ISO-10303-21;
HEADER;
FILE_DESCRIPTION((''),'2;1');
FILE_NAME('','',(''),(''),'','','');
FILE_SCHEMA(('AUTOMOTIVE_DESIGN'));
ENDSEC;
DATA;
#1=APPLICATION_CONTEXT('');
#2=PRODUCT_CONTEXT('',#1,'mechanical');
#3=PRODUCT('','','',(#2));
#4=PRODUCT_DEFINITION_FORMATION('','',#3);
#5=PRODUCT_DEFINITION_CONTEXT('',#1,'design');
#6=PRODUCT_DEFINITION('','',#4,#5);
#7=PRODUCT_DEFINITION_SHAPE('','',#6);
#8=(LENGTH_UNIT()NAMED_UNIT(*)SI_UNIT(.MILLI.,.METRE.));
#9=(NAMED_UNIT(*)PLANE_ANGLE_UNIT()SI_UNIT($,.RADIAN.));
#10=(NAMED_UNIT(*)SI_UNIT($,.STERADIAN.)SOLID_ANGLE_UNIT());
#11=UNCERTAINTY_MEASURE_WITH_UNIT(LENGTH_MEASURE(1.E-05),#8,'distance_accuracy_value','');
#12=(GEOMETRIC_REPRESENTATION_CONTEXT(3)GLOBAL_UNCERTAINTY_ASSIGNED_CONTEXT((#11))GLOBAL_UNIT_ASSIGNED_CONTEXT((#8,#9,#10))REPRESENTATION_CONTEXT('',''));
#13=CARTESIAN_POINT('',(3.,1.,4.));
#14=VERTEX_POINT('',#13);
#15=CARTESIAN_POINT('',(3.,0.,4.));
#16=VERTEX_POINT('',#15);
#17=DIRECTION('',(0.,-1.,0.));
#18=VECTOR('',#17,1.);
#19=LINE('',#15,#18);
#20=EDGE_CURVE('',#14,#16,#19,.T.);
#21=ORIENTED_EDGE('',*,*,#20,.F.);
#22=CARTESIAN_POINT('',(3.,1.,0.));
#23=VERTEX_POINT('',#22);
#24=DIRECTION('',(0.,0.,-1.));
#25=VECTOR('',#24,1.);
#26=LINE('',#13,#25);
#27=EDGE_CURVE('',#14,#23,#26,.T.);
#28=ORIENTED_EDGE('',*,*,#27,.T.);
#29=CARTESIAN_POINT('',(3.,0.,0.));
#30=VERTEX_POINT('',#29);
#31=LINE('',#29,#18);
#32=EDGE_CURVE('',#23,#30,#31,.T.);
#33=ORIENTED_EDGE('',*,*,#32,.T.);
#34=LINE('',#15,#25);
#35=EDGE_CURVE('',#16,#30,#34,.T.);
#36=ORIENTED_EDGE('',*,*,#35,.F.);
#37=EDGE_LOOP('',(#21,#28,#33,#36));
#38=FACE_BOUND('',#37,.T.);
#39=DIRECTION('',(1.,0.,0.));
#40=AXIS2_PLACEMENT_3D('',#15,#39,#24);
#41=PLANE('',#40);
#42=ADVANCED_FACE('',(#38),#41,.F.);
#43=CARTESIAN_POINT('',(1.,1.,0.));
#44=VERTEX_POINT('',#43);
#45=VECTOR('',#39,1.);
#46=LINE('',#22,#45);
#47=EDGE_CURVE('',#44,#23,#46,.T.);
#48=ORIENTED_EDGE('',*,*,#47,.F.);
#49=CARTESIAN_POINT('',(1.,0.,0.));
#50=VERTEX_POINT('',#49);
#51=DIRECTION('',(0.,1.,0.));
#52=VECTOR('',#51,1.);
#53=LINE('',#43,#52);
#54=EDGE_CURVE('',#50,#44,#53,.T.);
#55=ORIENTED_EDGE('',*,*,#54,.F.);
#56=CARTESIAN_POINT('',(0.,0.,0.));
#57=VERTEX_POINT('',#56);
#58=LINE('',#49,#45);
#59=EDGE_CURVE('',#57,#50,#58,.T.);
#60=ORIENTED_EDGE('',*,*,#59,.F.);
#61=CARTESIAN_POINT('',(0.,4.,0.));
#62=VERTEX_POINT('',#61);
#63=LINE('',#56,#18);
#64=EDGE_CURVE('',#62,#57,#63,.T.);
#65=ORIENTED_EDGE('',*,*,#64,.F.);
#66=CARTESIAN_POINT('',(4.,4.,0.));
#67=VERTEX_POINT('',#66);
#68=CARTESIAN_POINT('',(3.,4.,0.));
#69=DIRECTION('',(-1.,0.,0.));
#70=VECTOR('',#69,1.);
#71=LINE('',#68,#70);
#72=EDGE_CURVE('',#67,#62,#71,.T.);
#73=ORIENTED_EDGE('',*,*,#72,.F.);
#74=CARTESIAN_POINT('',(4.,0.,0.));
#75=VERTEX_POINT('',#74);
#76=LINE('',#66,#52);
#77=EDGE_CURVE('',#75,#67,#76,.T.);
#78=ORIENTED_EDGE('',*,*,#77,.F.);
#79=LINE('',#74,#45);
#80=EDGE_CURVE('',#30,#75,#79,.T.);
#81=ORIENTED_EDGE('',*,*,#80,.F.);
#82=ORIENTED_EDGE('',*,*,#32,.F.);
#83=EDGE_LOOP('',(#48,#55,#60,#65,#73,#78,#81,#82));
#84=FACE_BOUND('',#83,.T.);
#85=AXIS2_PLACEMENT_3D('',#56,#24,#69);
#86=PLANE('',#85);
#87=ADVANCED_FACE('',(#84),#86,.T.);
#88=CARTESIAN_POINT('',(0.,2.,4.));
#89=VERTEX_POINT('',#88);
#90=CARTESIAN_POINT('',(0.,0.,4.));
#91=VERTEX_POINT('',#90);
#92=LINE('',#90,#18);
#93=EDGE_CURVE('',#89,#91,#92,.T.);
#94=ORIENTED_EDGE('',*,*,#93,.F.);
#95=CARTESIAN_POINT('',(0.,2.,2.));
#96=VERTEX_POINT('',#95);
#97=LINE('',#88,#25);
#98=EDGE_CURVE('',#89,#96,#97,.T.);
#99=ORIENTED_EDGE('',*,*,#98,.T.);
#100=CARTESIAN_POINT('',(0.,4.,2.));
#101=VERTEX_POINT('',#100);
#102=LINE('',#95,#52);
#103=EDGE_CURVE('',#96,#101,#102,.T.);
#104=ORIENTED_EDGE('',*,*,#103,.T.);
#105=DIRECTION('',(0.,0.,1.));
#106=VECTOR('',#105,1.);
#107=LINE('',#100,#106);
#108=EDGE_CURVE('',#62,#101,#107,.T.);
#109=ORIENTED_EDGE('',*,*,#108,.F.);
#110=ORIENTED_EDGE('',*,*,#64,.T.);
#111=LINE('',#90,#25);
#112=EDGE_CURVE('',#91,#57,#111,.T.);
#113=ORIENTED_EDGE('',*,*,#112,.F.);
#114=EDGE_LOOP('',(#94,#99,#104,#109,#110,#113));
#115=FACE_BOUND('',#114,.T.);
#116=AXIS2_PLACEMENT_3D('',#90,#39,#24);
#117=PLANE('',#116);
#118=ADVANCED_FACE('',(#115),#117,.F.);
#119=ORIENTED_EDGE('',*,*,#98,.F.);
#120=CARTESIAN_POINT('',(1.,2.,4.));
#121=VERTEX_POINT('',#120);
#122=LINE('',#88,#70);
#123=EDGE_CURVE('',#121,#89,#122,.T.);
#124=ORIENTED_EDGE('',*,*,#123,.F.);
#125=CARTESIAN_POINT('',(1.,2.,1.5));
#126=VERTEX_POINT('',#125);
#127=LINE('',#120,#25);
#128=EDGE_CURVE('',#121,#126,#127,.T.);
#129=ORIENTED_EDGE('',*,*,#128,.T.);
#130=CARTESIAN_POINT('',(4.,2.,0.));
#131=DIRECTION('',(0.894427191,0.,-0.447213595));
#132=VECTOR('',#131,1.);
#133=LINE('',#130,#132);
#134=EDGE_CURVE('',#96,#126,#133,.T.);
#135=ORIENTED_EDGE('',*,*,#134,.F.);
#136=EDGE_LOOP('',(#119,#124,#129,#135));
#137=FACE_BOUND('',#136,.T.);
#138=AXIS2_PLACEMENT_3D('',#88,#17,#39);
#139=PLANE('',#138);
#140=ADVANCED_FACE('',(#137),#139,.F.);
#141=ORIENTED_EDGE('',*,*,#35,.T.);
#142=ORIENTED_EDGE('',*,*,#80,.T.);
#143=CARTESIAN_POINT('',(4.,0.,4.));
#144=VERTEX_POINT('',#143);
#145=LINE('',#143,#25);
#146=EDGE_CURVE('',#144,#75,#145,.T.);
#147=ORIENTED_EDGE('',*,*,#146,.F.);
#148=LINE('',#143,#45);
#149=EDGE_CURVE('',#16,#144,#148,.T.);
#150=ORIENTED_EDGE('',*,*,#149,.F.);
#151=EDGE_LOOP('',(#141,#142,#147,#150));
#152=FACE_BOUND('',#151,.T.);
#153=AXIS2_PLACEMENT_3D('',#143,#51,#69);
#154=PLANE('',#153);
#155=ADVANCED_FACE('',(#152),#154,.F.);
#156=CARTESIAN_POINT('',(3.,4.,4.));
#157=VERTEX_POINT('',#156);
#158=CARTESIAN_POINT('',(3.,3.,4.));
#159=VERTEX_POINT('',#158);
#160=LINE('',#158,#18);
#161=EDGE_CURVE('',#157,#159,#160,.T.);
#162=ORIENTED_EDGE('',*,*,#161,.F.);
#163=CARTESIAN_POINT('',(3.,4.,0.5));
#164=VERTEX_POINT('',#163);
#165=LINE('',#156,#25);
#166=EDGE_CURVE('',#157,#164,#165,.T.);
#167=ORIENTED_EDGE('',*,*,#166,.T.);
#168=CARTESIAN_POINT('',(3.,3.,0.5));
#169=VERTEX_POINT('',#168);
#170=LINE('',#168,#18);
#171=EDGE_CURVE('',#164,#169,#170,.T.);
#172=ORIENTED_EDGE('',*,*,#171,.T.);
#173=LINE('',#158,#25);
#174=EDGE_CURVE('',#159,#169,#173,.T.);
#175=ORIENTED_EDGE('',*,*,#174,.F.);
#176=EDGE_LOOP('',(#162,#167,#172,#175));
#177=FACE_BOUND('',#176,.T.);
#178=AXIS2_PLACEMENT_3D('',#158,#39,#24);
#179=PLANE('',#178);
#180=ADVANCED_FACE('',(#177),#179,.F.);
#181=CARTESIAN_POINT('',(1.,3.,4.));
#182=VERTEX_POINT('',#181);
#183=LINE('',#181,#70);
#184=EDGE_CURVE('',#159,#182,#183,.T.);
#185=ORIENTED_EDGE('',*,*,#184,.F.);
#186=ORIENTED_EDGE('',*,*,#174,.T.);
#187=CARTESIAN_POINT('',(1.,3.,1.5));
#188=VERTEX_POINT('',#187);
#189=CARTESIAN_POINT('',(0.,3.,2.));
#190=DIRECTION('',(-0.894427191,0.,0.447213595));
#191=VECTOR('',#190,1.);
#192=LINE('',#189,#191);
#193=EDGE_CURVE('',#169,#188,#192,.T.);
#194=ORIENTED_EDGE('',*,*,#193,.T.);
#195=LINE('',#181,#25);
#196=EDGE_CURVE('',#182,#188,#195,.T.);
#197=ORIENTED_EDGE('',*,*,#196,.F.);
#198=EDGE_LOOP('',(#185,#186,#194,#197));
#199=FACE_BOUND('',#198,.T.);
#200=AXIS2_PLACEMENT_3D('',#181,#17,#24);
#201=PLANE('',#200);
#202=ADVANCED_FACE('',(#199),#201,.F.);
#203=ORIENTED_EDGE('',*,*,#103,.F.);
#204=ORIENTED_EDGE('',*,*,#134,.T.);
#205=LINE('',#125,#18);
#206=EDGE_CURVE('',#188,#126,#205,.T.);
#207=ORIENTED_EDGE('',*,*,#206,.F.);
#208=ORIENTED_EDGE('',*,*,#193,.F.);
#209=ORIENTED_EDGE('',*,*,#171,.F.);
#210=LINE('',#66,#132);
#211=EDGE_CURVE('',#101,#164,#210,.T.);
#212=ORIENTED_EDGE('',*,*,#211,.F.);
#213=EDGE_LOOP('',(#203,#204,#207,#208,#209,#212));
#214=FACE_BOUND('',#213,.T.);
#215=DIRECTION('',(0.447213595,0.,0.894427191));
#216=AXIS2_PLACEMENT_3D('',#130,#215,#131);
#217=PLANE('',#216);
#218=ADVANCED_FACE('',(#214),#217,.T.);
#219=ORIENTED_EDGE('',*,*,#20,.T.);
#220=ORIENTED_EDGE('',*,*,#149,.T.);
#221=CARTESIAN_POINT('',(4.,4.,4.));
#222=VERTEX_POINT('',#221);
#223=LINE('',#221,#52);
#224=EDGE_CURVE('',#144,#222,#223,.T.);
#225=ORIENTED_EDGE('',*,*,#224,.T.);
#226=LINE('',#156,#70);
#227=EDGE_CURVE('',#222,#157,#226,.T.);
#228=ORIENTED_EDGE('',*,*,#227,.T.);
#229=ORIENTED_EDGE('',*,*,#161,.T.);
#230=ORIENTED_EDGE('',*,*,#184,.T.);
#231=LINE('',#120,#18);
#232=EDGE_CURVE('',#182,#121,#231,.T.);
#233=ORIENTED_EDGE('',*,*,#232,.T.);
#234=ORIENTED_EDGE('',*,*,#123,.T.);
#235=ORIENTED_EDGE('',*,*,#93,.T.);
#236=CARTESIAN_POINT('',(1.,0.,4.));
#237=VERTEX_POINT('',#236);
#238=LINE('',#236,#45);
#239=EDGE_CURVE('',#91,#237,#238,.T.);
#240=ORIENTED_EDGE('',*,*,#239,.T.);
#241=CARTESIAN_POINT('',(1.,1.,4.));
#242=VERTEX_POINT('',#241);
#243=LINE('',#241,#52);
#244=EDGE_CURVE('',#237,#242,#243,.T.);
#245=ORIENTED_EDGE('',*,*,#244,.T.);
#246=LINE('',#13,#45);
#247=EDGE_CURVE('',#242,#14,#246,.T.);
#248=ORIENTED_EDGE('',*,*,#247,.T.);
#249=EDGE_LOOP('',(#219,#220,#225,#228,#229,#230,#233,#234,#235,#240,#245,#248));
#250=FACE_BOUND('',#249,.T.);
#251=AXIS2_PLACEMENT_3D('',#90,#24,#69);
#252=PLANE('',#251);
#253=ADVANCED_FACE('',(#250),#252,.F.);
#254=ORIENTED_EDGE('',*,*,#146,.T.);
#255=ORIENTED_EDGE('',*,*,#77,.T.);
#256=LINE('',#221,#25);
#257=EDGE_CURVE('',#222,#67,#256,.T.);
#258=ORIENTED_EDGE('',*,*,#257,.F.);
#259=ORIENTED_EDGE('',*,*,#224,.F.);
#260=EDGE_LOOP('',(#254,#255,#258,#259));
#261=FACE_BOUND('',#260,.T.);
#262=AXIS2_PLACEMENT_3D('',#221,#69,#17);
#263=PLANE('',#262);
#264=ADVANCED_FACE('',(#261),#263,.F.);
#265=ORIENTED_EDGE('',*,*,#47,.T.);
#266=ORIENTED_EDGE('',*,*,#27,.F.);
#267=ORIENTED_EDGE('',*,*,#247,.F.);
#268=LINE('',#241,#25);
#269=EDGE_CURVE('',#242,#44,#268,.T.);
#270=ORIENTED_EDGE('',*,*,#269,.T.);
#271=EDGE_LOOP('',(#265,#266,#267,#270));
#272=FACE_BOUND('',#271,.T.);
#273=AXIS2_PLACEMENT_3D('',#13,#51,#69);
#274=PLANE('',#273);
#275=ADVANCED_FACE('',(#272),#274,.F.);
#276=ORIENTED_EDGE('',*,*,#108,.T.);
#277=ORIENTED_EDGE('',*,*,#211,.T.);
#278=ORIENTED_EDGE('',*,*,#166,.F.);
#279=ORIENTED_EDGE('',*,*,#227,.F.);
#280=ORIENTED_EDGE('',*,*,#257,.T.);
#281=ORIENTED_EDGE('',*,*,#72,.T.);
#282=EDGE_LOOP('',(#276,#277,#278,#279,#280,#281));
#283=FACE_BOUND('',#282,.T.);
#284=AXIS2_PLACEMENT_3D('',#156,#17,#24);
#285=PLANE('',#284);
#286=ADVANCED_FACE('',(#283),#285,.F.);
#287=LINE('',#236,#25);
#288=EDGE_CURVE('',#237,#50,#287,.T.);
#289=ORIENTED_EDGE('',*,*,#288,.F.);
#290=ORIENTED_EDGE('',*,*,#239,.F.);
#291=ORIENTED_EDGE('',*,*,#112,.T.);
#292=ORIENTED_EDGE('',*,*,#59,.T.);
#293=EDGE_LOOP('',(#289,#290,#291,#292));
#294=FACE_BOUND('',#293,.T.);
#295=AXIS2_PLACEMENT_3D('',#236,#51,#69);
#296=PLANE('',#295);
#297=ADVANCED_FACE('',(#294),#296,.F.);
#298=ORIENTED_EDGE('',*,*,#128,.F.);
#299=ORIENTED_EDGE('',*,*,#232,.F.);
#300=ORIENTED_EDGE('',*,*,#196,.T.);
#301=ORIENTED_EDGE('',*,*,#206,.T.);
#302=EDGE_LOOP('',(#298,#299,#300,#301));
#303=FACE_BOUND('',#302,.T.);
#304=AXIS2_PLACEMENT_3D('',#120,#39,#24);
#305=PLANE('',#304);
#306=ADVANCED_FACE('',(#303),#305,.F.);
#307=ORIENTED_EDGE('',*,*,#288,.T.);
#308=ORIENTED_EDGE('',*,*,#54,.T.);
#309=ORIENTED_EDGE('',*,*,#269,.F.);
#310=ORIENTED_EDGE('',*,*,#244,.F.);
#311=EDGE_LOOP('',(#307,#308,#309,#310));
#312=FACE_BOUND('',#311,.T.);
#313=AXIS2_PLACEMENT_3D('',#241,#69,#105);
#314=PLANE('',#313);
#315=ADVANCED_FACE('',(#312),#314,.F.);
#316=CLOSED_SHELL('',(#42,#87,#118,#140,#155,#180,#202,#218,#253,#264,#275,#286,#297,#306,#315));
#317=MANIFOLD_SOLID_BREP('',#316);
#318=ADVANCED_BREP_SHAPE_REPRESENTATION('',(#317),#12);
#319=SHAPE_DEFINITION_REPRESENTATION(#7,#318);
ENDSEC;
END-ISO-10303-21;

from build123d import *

# Parameters (mm, degrees)
BOSS_EXTRUDE1_DEPTH = 4
BOSS_EXTRUDE4_DEPTH = 2


with BuildPart() as part:
    # Sketch1 → Boss-Extrude1 (new body)
    with BuildSketch(Plane.XY):
        Polygon((0, 0), (0, 2), (1, 2), (1, 3), (3, 3), (3, 4), (4, 4), (4, 0), (3, 0), (3, 1), (1, 1), (1, 0), align=None)
    extrude(amount=BOSS_EXTRUDE1_DEPTH)

    # Sketch6 → Boss-Extrude4 (add)
    with BuildSketch(Plane(origin=(0, 4, 0), x_dir=(1, 0, 0), z_dir=(0, 1, 0))):
        Polygon((4, 0), (0, -2), (0, 0), align=None)
    extrude(amount=-BOSS_EXTRUDE4_DEPTH)


solid = part.part
